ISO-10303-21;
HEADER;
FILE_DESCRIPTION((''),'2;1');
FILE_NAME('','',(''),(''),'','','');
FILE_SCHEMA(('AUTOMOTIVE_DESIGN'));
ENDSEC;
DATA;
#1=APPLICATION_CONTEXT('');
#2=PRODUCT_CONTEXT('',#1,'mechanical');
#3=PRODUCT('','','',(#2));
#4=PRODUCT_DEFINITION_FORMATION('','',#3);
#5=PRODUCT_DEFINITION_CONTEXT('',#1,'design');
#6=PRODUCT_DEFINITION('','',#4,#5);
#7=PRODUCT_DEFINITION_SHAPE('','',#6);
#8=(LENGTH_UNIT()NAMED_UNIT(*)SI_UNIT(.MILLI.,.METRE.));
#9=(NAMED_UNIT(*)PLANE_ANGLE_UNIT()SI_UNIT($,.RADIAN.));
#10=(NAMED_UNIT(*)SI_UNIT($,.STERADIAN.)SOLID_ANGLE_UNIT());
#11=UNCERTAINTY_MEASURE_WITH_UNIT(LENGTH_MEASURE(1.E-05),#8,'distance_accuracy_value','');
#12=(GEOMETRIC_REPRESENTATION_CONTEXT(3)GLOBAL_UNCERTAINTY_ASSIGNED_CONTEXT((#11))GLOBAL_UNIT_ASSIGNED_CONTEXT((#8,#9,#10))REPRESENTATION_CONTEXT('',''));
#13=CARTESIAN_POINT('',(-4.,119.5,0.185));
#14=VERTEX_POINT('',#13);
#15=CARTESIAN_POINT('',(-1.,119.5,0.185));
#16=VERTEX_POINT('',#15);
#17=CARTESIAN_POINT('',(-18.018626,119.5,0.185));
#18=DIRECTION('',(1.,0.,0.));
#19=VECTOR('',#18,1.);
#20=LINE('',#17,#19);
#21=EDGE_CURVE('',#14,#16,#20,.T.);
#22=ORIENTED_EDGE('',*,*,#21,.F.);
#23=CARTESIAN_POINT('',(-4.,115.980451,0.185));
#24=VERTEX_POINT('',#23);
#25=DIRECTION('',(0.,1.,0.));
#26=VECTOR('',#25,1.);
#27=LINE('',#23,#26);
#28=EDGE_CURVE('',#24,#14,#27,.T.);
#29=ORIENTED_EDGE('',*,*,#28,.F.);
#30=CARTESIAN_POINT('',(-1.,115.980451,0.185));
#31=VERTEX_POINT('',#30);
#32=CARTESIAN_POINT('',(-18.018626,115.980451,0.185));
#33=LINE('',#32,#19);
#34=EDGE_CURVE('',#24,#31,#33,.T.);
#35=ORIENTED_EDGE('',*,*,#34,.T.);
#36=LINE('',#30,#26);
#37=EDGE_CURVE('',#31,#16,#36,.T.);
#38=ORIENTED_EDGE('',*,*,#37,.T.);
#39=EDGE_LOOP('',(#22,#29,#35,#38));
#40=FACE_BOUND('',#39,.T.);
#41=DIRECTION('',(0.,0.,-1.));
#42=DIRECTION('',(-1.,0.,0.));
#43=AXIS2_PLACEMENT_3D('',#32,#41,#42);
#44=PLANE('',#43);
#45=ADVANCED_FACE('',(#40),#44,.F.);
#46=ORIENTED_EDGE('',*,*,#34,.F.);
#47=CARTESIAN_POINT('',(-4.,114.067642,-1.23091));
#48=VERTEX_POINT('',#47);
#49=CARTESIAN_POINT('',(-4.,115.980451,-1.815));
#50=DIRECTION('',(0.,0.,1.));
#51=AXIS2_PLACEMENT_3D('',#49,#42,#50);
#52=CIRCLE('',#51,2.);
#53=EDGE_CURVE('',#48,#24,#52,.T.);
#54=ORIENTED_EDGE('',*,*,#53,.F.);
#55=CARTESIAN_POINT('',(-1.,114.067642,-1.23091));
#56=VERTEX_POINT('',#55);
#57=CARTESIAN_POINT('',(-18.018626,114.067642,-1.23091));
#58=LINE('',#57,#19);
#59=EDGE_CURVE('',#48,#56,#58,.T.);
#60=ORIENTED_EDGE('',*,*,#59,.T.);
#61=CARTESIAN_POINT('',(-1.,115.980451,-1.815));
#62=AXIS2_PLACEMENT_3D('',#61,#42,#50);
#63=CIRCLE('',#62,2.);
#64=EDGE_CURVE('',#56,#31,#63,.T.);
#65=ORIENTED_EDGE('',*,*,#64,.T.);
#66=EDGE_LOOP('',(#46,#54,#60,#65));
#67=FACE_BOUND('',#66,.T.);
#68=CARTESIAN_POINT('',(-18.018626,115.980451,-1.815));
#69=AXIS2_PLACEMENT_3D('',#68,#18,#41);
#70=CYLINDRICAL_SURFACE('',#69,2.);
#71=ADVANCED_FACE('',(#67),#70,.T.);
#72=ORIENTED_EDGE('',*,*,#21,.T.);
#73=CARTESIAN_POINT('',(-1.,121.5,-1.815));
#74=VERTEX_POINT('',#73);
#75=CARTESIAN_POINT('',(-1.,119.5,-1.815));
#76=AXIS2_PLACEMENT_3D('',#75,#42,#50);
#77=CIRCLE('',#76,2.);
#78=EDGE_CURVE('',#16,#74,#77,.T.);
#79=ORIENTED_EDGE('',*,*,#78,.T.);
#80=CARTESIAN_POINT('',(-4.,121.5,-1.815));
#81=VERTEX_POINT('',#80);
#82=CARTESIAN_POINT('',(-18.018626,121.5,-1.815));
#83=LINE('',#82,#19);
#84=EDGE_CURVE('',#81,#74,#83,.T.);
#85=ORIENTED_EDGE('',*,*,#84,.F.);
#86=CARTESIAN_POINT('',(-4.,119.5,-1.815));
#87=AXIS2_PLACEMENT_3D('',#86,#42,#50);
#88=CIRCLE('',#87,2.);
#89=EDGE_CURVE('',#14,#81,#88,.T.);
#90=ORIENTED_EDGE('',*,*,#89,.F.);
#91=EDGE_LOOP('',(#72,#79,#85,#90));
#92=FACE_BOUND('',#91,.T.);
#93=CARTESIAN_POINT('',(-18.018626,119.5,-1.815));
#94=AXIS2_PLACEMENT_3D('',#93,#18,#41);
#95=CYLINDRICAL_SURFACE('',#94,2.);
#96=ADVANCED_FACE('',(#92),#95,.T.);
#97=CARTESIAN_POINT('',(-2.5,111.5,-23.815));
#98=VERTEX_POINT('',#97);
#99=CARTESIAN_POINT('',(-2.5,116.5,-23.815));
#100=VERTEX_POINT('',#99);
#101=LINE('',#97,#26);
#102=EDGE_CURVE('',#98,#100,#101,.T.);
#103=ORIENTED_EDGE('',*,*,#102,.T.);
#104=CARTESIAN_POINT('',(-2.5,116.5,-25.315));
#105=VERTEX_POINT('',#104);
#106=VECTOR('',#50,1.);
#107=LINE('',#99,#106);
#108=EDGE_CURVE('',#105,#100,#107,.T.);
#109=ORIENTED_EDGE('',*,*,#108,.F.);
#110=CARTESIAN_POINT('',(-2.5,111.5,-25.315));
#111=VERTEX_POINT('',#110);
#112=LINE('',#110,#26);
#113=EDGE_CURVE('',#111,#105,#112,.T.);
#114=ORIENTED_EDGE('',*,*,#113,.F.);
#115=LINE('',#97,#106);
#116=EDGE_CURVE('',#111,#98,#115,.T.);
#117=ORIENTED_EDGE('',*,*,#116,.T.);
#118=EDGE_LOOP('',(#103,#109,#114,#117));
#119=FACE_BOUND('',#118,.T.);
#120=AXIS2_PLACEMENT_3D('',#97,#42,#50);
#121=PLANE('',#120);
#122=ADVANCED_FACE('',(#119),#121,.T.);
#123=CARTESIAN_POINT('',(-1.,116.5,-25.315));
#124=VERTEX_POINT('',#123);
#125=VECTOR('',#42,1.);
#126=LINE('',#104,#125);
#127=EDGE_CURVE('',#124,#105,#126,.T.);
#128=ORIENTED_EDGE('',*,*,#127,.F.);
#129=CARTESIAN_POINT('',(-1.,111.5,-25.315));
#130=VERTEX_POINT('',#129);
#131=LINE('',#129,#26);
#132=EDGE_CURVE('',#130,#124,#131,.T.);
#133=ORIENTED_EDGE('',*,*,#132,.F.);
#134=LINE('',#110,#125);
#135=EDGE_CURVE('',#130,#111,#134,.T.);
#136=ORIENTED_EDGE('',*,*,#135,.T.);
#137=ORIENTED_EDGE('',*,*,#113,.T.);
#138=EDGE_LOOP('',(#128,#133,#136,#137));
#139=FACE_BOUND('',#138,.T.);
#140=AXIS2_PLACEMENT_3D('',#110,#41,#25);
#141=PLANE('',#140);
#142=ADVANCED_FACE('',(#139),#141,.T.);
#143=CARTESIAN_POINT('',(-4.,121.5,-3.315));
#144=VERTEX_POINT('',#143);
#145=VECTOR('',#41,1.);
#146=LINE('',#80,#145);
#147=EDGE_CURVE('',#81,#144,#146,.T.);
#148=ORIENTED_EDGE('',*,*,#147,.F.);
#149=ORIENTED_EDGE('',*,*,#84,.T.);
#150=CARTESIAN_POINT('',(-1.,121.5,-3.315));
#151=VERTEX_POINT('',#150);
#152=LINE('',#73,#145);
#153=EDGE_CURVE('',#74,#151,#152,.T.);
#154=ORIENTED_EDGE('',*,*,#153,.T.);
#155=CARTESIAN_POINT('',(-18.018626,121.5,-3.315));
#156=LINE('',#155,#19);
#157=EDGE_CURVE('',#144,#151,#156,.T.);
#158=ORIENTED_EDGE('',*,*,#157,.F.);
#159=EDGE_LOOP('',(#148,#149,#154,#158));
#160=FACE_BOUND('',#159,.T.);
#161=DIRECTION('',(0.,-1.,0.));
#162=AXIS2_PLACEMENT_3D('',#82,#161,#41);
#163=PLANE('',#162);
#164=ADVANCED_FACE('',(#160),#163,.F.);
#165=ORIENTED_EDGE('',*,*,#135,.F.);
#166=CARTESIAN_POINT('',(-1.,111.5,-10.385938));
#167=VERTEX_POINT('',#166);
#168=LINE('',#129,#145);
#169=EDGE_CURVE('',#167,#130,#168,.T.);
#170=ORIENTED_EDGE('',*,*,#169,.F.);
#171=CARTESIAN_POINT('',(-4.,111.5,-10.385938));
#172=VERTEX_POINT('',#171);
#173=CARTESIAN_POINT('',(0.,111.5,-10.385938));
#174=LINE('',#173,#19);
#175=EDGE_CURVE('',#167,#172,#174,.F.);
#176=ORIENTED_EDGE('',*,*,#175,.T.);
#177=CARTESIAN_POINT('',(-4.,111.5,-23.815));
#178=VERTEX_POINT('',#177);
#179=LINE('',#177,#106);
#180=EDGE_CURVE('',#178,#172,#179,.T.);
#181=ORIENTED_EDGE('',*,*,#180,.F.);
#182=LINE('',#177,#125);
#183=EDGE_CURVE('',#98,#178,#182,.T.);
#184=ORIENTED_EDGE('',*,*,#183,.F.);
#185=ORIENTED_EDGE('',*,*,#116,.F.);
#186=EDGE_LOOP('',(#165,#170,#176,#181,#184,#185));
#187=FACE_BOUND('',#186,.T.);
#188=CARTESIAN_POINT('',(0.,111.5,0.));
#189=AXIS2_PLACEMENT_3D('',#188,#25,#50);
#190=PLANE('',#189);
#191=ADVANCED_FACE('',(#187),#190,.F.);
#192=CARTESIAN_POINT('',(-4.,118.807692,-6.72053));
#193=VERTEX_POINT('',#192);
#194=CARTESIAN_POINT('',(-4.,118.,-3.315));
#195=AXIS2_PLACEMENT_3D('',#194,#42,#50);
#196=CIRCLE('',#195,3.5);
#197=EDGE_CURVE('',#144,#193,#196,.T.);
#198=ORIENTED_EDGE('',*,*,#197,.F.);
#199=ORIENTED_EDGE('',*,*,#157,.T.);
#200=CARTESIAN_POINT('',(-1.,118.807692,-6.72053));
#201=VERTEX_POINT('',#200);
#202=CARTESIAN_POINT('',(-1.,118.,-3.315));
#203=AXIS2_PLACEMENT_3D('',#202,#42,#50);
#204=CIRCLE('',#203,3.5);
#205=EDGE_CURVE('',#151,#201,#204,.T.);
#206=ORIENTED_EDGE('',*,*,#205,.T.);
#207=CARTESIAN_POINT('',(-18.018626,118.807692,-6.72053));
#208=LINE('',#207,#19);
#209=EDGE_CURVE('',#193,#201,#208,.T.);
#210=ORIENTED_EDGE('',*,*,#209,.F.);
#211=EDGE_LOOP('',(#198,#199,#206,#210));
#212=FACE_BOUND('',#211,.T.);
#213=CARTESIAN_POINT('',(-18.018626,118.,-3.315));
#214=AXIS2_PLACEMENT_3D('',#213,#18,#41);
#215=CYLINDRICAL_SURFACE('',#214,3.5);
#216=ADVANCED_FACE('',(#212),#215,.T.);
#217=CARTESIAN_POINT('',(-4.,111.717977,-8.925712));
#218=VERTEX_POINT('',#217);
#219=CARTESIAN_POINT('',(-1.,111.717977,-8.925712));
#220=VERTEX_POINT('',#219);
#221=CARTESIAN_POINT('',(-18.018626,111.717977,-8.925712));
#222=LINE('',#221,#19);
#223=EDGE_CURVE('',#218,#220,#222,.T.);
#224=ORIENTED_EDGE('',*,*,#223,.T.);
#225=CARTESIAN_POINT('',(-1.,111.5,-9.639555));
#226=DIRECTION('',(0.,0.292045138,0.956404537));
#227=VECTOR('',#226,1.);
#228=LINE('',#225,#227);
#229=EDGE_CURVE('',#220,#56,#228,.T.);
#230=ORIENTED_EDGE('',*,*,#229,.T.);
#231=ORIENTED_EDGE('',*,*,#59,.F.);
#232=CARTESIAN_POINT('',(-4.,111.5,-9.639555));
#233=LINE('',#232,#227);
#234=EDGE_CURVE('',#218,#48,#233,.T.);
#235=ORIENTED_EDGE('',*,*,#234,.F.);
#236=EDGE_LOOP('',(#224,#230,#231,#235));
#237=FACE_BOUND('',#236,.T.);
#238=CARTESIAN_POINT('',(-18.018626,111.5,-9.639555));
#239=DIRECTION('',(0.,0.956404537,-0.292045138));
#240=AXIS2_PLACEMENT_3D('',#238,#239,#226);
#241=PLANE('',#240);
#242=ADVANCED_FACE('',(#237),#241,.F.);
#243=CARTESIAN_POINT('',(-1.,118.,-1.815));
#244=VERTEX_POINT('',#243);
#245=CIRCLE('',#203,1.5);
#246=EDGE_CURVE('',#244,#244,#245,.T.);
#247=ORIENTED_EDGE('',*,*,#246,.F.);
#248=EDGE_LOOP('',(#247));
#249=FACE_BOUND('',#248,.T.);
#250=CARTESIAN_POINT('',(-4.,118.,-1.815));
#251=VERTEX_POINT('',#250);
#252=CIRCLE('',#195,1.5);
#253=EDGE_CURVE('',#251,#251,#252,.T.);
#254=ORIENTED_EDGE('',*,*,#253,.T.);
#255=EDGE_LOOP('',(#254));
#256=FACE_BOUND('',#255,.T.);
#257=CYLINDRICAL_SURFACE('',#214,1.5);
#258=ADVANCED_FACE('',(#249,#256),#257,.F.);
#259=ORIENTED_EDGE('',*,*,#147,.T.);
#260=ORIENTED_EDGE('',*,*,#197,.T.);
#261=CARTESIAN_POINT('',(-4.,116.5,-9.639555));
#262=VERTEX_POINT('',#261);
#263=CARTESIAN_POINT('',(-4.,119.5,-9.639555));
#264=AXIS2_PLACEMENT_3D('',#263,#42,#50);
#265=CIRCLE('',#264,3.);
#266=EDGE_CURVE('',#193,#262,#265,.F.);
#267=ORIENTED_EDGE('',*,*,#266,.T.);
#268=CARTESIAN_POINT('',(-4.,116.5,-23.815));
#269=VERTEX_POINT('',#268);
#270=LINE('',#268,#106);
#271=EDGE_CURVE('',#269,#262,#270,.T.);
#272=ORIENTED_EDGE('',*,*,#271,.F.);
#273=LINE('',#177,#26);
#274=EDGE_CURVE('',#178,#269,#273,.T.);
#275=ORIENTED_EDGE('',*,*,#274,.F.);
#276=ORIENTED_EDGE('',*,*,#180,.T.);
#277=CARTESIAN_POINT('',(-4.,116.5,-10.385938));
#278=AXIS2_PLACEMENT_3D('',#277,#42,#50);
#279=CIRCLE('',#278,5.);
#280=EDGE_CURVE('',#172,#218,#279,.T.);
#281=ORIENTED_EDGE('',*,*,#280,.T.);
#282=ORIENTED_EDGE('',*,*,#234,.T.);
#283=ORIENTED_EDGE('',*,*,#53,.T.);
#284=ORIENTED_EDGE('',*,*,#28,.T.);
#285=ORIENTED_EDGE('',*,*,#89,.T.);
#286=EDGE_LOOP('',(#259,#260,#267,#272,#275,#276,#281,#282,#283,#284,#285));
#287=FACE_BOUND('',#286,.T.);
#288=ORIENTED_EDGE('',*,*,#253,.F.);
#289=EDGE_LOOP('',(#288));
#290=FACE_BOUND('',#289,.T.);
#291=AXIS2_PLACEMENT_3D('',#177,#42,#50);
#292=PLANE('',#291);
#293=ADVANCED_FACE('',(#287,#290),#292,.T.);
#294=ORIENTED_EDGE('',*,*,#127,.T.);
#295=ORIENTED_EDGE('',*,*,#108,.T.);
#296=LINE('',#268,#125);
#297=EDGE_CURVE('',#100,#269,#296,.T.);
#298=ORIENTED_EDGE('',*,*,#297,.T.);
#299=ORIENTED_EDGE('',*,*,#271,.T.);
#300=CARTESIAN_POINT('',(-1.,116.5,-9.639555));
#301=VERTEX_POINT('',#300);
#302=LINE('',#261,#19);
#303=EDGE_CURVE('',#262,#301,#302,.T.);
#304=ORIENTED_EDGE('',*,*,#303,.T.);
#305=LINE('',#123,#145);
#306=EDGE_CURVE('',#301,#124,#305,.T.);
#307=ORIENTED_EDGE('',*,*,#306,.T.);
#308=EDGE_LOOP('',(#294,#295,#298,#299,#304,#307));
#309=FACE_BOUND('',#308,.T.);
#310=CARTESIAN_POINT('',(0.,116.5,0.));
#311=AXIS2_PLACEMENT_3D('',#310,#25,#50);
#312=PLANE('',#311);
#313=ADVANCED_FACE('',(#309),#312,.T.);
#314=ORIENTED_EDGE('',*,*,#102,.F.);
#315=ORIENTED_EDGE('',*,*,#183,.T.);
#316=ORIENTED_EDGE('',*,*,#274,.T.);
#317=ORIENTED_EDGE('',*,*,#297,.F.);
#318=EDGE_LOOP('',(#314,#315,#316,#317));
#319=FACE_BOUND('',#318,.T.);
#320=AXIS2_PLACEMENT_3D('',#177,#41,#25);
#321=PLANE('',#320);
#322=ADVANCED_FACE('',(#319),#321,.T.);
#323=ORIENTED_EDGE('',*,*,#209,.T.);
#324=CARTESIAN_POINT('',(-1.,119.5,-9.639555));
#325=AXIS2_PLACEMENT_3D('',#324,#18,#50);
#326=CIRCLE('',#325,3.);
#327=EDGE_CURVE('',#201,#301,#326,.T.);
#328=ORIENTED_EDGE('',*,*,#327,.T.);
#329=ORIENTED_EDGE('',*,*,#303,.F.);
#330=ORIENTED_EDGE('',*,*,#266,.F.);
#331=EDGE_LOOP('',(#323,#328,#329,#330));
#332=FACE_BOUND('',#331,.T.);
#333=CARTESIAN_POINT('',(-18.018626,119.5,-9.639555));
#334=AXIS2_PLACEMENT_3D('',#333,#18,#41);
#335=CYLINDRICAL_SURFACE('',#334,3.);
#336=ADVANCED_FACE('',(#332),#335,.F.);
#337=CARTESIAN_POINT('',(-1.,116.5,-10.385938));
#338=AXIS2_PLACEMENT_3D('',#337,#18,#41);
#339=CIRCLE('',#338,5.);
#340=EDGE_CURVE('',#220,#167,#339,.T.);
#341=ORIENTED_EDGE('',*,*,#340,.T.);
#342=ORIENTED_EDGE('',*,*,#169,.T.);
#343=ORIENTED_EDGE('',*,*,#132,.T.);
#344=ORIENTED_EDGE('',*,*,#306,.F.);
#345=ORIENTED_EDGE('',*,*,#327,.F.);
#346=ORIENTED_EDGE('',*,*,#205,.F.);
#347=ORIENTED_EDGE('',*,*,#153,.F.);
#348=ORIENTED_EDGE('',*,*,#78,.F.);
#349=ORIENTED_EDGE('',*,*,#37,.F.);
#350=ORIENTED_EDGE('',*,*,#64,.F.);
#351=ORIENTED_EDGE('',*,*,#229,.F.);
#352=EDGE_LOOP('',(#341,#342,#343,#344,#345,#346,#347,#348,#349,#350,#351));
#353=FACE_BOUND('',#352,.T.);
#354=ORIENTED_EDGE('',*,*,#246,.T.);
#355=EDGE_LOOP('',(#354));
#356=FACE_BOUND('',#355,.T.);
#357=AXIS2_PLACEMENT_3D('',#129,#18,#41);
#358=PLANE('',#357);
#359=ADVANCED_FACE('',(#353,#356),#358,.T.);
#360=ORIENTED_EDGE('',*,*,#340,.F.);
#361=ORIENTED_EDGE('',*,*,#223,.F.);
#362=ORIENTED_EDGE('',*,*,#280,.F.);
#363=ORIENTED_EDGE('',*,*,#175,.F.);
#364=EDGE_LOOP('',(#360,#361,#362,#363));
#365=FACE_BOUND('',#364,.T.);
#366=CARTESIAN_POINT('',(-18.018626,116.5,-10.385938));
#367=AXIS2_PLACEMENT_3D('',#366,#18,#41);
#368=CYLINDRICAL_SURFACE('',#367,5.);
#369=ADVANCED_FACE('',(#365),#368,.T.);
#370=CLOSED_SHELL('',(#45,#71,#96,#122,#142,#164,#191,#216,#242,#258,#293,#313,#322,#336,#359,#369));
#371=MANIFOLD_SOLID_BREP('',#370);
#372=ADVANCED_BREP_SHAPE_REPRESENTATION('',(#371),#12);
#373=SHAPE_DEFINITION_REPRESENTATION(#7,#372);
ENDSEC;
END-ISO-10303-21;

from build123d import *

# Parameters (mm, degrees)
TAB_EXTRUDE_DEPTH       = 5
SKETCH2_R               = 1.5
SCREWHOLE_EXTRUDE_DEPTH = 3
STRUCTURAL_FILLETS_R    = 5


with BuildPart() as part:
    # Sketch1 → Tab extrude (new body)
    with BuildSketch(Plane(origin=(0, 116.5, 0), x_dir=(1, 0, 0), z_dir=(0, 1, 0))):
        Polygon((-4, 23.815), (-2.5, 23.815), (-2.5, 25.315), (-1, 25.315), (-1, 9.63955532), (-4, 9.63955532), align=None)
    extrude(amount=-TAB_EXTRUDE_DEPTH)

    # Sketch2 → Screwhole extrude (add)
    with BuildSketch(Plane.ZY.offset(1)):
        with BuildLine():
            Line((-9.63955532, 111.5), (-1.230909725, 114.067641584))
            ThreePointArc((-1.230909725, 114.067641584), (-0.207489417, 114.790530608), (0.185, 115.980450657))
            Line((0.185, 115.980450657), (0.185, 119.5))
            ThreePointArc((0.185, 119.5), (-0.400786438, 120.914213562), (-1.815, 121.5))
            Line((-1.815, 121.5), (-3.315, 121.5))
            ThreePointArc((-3.315, 121.5), (-5.485607855, 120.745625892), (-6.720529788, 118.807692308))
            ThreePointArc((-6.720529788, 118.807692308), (-7.779034301, 117.146606378), (-9.63955532, 116.5))
            Line((-9.63955532, 116.5), (-9.63955532, 111.5))
        make_face()
        with Locations((-3.315, 118)):
            Circle(SKETCH2_R, mode=Mode.SUBTRACT)
    extrude(amount=SCREWHOLE_EXTRUDE_DEPTH)

    # Structural fillets
    structural_fillets_edges = [part.edges().sort_by_distance(p)[0] for p in [
        (-2.5, 111.5, -9.63955532),
    ]]
    fillet(structural_fillets_edges, radius=STRUCTURAL_FILLETS_R)


solid = part.part
